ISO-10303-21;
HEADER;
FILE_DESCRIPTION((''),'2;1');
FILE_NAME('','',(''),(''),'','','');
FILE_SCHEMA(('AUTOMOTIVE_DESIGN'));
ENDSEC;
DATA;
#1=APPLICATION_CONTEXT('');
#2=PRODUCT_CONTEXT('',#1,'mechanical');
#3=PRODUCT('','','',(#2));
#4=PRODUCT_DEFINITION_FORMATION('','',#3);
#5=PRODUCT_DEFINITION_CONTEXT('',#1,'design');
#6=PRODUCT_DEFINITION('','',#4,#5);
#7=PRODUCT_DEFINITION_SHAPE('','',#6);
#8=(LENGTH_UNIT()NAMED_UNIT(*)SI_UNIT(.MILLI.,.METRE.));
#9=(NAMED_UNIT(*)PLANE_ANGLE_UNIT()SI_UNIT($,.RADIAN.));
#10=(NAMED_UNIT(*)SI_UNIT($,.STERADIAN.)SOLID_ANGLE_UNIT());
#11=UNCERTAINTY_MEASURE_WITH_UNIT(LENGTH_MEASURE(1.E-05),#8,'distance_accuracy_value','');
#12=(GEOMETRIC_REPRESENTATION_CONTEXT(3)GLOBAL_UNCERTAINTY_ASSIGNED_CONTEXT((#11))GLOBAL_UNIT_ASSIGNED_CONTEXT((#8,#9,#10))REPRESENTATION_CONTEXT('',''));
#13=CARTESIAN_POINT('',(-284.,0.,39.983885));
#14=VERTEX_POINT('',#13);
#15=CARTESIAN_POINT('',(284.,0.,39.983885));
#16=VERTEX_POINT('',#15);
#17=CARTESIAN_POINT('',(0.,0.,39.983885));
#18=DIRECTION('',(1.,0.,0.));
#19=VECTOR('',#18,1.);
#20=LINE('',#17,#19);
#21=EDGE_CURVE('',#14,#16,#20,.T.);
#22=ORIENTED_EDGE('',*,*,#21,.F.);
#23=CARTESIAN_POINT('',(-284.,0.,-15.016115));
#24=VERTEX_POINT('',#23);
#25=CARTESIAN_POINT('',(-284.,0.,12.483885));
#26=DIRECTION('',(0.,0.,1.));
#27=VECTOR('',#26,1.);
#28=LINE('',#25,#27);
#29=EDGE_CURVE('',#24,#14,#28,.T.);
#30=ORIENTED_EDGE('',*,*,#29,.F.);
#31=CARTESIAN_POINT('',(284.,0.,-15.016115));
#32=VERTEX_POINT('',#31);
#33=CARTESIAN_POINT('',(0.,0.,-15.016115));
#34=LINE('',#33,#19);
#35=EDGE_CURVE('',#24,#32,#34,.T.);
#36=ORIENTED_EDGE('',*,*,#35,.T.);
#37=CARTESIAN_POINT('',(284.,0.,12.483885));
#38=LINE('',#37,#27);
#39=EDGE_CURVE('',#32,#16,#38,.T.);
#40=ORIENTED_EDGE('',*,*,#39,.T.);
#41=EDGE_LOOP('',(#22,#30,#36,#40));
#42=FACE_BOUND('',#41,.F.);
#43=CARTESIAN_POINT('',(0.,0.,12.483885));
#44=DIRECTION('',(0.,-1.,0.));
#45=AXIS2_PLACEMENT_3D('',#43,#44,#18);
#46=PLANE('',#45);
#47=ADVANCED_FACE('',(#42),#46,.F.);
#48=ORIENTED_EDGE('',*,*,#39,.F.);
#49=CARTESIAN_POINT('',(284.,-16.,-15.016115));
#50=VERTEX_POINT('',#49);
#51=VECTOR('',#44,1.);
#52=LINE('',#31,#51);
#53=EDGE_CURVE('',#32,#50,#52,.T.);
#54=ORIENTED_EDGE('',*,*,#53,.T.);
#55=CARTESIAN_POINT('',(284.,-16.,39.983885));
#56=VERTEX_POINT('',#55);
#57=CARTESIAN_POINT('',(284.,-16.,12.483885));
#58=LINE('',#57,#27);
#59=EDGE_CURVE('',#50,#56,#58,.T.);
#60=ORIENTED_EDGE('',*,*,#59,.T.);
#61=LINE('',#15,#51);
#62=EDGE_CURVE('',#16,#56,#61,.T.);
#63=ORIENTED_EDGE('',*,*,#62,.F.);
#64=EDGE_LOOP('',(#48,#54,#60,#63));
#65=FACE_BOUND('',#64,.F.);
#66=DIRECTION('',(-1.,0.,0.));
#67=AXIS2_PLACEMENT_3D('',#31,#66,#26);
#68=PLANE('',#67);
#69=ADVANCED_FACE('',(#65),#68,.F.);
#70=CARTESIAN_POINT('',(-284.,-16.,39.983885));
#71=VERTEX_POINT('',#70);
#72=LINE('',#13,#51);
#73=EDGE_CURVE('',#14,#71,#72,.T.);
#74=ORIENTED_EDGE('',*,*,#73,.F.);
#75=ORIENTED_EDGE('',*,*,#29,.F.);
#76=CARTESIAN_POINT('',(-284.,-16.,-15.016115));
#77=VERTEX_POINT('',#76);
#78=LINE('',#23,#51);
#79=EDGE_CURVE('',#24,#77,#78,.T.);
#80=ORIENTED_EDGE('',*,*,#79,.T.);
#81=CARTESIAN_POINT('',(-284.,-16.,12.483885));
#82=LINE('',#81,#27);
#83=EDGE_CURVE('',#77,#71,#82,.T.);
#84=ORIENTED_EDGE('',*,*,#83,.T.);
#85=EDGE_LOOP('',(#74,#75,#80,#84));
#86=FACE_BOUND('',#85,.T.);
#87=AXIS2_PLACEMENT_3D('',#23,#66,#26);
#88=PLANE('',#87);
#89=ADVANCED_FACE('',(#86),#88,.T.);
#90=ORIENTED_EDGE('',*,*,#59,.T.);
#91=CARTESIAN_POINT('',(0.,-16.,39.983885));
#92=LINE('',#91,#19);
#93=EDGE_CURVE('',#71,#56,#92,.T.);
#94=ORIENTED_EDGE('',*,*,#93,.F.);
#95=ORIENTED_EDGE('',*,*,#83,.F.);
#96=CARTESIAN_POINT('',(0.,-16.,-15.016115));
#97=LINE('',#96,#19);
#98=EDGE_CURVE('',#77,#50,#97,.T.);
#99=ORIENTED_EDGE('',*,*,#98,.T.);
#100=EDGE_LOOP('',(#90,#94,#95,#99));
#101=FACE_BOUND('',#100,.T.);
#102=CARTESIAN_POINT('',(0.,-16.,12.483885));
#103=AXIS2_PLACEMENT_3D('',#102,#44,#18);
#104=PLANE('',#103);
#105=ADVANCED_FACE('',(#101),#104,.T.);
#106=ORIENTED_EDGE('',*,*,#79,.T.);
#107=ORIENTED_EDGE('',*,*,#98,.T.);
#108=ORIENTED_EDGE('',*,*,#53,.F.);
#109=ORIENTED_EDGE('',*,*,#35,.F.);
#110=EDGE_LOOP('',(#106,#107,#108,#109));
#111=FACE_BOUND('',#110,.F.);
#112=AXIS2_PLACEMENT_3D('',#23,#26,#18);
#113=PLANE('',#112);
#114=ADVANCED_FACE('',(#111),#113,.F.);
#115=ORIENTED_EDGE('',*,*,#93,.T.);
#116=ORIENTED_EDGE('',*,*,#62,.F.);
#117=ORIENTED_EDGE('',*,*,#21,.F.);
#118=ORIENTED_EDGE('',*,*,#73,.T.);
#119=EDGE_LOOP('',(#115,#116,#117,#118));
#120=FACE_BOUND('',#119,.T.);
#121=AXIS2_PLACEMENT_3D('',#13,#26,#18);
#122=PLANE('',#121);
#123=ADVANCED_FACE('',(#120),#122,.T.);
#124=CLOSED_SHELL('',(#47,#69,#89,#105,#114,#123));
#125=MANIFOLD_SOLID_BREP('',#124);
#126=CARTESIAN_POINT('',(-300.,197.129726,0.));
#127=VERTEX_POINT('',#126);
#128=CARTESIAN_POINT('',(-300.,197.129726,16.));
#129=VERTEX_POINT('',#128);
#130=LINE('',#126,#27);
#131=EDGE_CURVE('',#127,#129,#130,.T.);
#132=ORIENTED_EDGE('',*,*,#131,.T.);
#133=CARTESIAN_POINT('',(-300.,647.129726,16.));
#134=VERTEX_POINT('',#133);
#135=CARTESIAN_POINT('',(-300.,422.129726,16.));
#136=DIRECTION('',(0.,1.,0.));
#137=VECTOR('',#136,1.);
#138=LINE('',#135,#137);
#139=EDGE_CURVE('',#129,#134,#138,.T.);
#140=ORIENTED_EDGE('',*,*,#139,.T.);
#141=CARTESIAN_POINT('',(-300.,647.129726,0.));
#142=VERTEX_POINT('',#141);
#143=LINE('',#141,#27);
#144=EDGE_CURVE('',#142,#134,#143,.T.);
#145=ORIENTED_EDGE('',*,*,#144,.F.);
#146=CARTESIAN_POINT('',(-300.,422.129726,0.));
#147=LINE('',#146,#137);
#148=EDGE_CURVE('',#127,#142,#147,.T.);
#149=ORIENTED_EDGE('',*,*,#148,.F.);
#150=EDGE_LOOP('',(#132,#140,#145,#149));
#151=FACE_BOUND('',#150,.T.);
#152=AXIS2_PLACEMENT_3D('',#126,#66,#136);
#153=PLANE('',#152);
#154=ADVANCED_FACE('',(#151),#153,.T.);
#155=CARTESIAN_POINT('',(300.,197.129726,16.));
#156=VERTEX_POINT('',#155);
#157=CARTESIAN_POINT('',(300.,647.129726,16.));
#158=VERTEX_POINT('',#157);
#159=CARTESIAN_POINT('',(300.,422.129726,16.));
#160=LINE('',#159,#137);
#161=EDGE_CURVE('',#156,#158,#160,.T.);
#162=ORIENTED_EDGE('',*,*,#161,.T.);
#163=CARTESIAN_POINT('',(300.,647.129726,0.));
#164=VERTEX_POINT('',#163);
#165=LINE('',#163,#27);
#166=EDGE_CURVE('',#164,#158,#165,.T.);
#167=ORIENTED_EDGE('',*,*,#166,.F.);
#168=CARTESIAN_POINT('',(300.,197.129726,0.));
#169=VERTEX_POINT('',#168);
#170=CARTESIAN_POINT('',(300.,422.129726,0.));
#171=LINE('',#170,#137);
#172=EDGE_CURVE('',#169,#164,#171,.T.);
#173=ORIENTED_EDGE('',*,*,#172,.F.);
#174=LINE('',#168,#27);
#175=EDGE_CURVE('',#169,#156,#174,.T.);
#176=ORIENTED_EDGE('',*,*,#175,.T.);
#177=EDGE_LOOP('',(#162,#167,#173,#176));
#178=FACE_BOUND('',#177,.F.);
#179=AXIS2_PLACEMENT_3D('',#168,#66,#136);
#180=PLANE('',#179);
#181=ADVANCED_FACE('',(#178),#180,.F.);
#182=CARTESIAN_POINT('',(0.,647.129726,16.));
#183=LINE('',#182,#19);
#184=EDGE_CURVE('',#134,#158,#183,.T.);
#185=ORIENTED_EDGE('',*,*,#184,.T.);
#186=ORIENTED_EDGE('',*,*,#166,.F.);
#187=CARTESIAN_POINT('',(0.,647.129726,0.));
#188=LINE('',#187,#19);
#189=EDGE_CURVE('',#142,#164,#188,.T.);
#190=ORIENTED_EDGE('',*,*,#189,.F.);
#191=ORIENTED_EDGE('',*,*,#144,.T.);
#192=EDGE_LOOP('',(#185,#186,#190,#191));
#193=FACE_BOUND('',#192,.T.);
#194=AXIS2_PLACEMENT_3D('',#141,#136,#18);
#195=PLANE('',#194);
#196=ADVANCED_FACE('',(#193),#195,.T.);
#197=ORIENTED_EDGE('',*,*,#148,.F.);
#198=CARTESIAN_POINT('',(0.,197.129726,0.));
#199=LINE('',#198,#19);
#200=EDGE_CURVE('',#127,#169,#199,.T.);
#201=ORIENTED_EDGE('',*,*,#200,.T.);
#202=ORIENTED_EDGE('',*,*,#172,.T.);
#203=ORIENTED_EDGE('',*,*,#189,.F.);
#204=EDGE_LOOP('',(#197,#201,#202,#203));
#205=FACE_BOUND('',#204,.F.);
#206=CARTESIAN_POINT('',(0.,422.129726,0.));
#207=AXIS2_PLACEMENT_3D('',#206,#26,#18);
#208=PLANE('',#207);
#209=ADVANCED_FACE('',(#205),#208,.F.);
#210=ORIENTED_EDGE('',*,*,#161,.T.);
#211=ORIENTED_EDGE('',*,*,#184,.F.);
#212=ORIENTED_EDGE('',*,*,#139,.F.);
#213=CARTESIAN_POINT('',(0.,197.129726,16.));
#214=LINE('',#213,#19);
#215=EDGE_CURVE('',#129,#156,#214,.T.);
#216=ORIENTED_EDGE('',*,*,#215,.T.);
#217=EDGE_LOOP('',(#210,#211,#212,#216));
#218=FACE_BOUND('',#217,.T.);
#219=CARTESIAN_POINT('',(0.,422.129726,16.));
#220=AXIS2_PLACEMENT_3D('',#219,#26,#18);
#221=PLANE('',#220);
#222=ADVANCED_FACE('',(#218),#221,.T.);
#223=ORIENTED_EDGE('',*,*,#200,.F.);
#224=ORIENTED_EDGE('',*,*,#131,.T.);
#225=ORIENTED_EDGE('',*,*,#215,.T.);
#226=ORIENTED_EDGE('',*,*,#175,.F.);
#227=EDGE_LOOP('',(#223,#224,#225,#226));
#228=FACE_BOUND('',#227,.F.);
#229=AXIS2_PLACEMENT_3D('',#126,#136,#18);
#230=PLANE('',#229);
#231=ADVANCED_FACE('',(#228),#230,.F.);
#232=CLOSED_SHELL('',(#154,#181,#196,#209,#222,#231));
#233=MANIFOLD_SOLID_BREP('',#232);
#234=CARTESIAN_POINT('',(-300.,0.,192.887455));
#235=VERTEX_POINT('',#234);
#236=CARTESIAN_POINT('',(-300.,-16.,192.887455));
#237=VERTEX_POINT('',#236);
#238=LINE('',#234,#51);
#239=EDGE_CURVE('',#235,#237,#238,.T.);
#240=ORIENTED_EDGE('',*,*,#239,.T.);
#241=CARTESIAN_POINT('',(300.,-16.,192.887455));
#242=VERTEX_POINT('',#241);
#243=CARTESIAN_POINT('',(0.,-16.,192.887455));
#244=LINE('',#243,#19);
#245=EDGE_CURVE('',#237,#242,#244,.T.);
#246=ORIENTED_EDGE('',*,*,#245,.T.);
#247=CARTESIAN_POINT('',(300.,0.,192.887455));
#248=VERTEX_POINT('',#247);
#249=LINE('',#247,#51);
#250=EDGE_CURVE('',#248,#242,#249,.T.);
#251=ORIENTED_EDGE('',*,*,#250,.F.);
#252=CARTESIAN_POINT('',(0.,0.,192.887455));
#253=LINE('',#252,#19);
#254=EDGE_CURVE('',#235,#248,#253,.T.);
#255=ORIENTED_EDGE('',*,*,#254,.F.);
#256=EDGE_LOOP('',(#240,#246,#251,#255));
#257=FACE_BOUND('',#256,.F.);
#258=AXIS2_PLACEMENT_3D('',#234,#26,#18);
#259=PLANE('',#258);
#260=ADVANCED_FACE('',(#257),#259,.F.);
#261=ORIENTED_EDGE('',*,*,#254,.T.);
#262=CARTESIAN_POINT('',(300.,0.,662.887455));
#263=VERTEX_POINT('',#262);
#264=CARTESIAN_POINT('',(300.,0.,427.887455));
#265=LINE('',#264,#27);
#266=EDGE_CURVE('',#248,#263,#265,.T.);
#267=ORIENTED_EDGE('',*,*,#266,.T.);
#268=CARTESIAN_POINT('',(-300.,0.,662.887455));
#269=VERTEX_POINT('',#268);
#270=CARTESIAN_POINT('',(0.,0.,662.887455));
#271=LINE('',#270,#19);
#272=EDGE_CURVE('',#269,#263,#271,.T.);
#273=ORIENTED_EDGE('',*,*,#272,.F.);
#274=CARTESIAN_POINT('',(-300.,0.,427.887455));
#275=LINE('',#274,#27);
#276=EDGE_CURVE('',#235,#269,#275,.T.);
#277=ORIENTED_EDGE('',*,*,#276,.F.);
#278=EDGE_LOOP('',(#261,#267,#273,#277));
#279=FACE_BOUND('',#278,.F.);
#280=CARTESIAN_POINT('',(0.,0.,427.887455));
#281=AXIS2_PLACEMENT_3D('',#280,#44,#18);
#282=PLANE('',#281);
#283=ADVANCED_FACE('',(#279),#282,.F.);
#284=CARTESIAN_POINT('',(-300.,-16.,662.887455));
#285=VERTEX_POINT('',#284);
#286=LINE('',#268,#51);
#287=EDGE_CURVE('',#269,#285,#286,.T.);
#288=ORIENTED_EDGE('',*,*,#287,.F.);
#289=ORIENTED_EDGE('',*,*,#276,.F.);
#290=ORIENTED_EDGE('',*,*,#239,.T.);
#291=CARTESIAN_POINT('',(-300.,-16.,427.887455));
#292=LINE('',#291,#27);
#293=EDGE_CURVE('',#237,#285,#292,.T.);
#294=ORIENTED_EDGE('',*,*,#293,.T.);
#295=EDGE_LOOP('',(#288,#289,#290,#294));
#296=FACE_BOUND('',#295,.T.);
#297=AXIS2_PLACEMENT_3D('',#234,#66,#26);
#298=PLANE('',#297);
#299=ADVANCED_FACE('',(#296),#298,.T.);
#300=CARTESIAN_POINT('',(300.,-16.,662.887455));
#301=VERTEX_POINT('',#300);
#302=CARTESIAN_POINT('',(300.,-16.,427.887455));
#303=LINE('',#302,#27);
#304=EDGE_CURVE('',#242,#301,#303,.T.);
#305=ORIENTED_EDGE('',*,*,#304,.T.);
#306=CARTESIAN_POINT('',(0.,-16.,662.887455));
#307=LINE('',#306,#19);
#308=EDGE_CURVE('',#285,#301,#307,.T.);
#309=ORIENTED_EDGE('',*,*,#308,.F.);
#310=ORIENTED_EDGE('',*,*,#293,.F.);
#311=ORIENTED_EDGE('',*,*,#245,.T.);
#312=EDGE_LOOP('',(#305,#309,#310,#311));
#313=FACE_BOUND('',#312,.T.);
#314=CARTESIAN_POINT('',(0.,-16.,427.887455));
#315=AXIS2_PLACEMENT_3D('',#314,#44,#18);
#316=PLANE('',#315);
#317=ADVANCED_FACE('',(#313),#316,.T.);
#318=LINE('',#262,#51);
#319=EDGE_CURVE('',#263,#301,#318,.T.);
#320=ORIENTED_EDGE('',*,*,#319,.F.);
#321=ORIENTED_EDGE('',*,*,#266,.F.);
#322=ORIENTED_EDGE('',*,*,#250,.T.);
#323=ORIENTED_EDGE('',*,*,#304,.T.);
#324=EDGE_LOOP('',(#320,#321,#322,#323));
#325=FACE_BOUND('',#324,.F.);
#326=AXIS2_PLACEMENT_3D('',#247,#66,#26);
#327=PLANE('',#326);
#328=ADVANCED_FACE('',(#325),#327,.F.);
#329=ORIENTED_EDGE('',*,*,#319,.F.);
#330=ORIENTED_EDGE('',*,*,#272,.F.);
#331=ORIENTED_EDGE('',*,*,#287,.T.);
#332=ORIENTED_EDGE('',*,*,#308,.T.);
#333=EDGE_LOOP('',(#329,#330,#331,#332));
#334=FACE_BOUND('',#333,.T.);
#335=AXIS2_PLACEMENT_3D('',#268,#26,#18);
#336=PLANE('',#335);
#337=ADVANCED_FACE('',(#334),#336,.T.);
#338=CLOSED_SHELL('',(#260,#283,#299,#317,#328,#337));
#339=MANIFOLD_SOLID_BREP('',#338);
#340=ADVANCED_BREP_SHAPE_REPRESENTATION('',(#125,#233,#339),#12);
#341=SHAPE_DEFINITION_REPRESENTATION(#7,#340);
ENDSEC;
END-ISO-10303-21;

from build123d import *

# Parameters (mm, degrees)
F1_W     = 568
F1_H     = 55
F2_DEPTH = 16
F3_W     = 600
F3_H     = 450
F4_DEPTH = 16
F5_W     = 600
F5_H     = 470
F6_DEPTH = 16


with BuildPart() as f2:
    # F1 (on Front) → F2 (new body)
    with BuildSketch(Plane.XZ):
        with Locations((0, 12.4838852164)):
            Rectangle(F1_W, F1_H)
    extrude(amount=F2_DEPTH)


with BuildPart() as f4:
    # F3 (on Top) → F4 (new body)
    with BuildSketch(Plane.XY):
        with Locations((0, 422.1297264099)):
            Rectangle(F3_W, F3_H)
    extrude(amount=F4_DEPTH)


with BuildPart() as f6:
    # F5 (on Front) → F6 (new body)
    with BuildSketch(Plane.XZ):
        with Locations((0, 427.887455225)):
            Rectangle(F5_W, F5_H)
    extrude(amount=F6_DEPTH)


solid = Compound([f2.part, f4.part, f6.part])
